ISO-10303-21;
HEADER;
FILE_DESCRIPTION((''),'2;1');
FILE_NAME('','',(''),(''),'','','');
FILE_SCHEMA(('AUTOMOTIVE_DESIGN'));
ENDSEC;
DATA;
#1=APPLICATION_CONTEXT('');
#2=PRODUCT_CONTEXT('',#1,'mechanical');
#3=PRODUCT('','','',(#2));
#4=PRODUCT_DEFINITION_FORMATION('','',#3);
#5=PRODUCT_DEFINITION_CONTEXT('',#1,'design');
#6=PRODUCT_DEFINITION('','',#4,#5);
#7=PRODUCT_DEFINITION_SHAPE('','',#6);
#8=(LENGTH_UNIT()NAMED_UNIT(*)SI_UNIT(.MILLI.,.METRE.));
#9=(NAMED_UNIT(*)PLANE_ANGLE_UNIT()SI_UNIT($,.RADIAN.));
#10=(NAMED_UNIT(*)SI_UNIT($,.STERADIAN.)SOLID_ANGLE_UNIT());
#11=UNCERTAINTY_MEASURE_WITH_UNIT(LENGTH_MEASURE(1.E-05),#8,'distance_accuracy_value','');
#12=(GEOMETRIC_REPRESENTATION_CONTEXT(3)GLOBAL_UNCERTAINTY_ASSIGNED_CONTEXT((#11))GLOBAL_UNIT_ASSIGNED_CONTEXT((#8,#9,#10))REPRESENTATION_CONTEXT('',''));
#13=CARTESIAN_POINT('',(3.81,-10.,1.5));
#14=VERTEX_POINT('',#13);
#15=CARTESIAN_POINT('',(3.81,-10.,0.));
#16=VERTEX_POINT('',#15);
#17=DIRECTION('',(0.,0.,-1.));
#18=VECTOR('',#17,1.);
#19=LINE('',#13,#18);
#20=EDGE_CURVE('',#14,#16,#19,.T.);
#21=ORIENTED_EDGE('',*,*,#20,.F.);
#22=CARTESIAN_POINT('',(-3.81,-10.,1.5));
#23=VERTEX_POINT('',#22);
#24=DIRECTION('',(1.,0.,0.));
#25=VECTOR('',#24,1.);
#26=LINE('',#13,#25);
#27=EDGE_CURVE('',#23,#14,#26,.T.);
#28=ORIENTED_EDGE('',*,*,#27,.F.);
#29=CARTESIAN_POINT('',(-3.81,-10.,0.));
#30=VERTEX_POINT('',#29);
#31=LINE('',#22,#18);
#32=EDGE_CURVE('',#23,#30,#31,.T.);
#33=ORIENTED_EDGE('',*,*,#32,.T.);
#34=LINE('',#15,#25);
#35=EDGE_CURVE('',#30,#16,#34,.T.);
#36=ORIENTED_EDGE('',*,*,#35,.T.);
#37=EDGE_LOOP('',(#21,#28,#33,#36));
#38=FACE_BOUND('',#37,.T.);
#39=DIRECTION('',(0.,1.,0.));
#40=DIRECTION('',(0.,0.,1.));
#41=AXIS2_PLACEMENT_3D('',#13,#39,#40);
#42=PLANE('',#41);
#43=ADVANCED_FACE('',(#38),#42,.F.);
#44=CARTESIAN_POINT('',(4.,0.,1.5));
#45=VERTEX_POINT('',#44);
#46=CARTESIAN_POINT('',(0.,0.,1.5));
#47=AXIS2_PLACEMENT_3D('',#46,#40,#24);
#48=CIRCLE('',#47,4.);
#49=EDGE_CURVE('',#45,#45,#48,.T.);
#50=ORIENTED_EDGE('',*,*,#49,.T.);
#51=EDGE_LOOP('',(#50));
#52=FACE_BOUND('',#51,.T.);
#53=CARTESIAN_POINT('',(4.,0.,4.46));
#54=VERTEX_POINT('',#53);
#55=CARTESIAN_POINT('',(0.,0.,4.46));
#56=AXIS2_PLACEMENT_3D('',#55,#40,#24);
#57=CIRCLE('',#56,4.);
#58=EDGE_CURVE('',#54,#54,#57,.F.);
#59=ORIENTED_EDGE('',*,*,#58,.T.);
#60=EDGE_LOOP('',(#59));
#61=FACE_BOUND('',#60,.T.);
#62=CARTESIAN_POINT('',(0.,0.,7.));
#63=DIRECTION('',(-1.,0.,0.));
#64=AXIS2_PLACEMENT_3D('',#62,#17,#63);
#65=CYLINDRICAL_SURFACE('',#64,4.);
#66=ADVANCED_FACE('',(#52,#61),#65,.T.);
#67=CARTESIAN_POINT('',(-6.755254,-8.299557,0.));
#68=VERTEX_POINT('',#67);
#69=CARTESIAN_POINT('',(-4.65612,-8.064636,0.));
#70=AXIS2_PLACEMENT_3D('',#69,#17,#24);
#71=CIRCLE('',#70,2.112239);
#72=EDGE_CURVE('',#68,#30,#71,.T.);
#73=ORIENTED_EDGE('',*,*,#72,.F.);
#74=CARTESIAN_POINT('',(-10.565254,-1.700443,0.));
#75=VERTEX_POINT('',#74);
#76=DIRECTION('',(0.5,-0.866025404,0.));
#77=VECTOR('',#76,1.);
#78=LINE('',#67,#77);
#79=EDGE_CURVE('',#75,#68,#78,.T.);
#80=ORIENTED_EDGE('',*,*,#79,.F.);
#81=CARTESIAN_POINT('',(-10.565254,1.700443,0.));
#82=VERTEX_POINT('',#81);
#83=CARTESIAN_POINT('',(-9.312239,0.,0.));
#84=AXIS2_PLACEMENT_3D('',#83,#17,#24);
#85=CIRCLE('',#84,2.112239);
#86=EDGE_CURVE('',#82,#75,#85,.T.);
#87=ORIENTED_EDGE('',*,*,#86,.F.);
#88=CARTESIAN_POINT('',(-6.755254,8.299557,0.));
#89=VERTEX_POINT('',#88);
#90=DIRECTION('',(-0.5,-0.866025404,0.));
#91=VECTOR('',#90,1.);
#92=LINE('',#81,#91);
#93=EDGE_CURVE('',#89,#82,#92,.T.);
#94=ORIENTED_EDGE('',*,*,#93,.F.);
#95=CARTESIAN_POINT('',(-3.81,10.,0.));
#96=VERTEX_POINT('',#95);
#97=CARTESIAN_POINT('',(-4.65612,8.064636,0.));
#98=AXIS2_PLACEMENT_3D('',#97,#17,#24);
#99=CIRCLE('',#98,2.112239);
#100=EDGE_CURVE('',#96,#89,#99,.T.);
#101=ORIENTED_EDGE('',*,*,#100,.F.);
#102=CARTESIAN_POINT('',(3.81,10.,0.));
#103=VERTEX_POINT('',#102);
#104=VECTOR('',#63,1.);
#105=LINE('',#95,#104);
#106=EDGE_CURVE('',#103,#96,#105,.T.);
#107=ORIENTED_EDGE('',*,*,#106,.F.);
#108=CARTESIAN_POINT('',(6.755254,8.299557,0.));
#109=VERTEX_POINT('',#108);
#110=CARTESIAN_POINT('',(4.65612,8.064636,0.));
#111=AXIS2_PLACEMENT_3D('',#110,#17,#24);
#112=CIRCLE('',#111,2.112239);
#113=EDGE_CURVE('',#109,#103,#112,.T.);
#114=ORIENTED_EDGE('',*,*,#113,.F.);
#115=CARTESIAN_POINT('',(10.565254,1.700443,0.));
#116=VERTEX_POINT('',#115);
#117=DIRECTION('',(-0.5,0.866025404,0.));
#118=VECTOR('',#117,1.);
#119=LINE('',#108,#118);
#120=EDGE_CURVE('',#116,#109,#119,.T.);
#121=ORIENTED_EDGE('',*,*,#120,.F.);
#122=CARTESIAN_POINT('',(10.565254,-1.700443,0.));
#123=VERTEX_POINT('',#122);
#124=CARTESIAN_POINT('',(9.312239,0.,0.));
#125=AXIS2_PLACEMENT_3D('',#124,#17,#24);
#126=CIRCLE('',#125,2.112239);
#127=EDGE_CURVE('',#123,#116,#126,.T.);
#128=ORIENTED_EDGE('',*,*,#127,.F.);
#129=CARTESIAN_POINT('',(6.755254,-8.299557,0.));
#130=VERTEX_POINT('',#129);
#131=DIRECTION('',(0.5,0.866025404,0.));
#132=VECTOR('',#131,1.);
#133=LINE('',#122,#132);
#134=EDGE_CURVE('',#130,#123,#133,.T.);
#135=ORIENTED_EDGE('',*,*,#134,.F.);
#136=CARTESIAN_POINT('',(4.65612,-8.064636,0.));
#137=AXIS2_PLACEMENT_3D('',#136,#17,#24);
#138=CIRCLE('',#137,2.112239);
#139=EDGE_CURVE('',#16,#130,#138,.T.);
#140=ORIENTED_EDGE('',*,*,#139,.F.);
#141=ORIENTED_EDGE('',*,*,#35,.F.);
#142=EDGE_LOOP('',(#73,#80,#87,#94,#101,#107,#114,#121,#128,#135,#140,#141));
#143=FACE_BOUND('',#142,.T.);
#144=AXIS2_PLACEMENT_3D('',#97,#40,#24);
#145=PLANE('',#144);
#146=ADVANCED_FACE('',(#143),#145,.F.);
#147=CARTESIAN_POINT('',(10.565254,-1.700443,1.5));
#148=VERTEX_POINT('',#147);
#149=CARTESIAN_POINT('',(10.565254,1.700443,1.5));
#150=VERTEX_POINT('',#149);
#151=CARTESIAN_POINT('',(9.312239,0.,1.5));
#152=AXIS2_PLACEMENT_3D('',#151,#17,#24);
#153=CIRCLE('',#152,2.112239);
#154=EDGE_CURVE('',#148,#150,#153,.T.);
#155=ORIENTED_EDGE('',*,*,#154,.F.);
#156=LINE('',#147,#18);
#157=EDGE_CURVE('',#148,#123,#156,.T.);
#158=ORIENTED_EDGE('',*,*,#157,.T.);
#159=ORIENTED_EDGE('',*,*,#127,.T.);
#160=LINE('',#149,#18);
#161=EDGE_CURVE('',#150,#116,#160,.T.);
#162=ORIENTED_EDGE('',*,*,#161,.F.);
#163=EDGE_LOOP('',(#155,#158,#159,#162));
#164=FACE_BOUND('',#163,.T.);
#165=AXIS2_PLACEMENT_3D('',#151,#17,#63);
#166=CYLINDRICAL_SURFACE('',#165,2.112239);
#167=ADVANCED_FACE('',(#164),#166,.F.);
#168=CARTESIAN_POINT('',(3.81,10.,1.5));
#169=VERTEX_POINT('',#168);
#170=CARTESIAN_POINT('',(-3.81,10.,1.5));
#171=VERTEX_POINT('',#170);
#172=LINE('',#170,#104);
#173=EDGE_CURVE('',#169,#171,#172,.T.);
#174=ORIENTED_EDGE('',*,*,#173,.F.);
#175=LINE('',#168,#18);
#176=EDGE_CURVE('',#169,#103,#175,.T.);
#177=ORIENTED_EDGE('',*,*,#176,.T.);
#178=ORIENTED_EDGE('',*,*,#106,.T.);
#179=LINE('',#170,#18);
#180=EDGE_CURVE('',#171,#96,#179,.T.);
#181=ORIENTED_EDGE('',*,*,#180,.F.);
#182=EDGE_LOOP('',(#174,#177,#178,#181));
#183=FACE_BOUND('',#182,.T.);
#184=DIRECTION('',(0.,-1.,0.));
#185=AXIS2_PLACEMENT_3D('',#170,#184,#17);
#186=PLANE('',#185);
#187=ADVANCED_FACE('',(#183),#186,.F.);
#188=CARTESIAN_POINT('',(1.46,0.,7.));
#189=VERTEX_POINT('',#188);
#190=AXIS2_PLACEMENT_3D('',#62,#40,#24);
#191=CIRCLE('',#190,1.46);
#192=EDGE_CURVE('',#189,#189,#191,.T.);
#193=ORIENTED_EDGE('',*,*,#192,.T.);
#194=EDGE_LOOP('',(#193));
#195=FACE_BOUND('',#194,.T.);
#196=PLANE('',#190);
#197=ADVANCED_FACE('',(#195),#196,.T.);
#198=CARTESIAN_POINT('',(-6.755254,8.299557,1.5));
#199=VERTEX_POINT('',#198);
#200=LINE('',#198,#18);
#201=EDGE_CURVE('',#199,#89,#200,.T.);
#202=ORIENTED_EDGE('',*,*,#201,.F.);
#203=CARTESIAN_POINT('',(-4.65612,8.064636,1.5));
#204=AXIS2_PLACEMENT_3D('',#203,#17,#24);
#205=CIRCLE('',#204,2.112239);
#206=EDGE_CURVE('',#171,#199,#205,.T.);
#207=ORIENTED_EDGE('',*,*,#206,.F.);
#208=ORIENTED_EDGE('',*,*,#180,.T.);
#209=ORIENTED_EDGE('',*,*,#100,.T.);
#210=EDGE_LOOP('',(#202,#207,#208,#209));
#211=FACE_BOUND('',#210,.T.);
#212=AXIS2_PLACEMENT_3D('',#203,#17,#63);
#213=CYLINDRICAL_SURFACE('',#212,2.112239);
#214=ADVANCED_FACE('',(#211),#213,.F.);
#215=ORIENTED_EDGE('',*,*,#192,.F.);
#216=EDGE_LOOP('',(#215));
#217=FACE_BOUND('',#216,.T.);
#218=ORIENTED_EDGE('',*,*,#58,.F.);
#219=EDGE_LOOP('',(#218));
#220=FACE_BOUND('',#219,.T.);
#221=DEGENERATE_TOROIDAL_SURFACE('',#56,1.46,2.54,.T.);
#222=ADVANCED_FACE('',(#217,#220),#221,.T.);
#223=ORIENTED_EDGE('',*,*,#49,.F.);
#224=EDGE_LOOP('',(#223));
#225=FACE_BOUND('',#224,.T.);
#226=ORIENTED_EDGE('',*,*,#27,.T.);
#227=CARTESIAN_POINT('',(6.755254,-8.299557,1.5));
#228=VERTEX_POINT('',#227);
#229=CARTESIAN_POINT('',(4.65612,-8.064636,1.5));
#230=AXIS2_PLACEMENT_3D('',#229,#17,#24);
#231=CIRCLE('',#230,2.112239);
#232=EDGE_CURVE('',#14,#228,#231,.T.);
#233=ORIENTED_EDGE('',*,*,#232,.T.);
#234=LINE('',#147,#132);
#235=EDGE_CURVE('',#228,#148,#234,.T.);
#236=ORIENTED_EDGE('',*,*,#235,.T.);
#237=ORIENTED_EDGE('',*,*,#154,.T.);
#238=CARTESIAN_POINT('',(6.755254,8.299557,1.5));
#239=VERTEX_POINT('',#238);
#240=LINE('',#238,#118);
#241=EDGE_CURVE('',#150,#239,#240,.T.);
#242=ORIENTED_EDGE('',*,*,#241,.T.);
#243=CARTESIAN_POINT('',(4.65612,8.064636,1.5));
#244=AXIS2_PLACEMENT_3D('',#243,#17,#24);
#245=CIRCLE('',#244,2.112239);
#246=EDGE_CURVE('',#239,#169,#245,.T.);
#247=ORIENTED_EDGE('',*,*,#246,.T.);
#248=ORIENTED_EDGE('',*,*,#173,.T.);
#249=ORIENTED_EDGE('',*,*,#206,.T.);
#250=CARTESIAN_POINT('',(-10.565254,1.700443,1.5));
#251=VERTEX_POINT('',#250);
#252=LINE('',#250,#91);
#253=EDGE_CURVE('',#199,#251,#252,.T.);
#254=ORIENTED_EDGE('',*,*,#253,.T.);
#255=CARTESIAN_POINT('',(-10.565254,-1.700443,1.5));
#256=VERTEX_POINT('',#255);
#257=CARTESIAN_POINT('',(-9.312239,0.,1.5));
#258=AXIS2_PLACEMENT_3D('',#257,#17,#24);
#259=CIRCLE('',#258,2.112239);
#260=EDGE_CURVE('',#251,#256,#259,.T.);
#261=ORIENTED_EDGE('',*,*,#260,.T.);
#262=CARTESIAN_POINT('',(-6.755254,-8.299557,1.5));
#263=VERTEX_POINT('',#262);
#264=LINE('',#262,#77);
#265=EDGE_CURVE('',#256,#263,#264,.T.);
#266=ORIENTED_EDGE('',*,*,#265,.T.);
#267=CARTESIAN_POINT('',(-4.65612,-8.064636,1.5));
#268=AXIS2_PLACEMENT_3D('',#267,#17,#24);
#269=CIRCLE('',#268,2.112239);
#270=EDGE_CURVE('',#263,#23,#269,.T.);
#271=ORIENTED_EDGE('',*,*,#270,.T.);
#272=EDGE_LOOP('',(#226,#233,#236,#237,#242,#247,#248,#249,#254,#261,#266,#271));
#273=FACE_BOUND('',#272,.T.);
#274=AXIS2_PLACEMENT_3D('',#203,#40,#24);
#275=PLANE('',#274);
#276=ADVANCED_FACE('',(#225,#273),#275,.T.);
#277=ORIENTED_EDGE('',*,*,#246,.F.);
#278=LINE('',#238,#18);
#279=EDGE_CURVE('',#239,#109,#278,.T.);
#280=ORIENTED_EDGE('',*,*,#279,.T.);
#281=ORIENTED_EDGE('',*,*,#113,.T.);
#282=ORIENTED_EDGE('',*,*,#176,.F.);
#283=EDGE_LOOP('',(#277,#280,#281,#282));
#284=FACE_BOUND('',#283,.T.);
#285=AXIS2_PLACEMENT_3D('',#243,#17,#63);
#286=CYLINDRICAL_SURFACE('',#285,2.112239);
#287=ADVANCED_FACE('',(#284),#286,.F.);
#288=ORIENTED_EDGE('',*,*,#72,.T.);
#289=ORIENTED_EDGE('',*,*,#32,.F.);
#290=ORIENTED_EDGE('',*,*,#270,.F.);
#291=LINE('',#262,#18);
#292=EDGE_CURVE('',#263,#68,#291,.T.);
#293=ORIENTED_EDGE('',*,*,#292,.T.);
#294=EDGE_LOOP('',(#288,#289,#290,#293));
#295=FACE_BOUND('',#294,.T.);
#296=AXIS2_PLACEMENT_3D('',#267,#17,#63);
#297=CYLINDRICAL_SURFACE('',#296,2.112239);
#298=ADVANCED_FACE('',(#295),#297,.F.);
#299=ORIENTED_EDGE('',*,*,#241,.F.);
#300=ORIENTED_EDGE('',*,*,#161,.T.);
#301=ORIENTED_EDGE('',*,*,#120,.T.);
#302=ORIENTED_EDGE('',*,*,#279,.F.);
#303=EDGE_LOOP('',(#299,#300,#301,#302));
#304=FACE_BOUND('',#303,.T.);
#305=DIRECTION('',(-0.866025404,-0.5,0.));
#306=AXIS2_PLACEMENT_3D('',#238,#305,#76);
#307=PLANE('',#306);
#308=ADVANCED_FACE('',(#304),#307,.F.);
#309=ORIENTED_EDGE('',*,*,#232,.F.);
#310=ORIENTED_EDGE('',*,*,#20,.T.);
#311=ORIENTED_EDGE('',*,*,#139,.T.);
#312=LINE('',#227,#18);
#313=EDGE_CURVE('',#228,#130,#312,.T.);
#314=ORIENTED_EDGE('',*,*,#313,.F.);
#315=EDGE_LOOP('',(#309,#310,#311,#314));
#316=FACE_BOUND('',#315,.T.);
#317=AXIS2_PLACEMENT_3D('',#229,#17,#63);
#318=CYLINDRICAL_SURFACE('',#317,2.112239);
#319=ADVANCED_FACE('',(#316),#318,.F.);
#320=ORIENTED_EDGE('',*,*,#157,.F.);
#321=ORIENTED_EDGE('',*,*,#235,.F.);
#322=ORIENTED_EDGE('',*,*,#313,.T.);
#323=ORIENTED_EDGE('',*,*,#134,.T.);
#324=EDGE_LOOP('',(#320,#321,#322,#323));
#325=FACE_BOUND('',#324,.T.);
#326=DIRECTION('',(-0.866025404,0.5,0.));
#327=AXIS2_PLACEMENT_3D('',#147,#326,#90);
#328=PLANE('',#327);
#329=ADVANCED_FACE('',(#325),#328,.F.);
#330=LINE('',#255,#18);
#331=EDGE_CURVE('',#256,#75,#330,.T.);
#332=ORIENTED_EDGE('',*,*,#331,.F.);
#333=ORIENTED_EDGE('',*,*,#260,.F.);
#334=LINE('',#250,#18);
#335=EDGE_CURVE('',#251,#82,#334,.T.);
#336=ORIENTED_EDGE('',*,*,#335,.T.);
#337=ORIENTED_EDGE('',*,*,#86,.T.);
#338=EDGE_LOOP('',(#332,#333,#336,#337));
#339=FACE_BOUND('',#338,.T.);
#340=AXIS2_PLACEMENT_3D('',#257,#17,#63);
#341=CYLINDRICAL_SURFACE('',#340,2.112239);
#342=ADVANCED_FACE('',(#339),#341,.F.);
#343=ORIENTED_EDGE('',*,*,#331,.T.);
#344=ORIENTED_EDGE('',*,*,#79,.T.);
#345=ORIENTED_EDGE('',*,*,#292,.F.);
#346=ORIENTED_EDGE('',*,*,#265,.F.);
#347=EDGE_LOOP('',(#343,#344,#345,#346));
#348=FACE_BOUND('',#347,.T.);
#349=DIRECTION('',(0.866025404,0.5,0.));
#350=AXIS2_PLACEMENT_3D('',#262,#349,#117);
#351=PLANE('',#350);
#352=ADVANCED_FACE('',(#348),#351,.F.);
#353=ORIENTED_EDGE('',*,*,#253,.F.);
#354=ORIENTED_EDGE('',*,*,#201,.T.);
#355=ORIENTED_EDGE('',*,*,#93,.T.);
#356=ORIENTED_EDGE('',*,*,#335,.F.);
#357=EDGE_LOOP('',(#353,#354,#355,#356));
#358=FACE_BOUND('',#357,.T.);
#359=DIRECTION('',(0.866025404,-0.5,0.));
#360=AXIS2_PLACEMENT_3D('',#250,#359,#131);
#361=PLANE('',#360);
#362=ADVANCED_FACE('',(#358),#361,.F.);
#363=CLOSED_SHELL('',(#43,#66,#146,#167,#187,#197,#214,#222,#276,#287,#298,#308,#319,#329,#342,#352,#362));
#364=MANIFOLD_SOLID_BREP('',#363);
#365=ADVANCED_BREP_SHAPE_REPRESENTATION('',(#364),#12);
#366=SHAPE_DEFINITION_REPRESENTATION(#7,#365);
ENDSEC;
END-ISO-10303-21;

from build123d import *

# Parameters (mm, degrees)
BOSS_EXTRUDE1_DEPTH = 1.5
SKETCH2_R           = 4
BOSS_EXTRUDE2_DEPTH = 5.5
FILLET1_R           = 2.54


with BuildPart() as part:
    # Sketch1 → Boss-Extrude1 (new body)
    with BuildSketch(Plane.XY):
        with BuildLine():
            Line((-3.81, 10), (3.81, 10))
            ThreePointArc((3.81, 10), (3.6, 6.235382907), (6.755254038, 8.299556788))
            Line((6.755254038, 8.299556788), (10.565254038, 1.700443212))
            ThreePointArc((10.565254038, 1.700443212), (7.2, 0), (10.565254038, -1.700443212))
            Line((10.565254038, -1.700443212), (6.755254038, -8.299556788))
            ThreePointArc((6.755254038, -8.299556788), (3.6, -6.235382907), (3.81, -10))
            Line((3.81, -10), (-3.81, -10))
            ThreePointArc((-3.81, -10), (-3.6, -6.235382907), (-6.755254038, -8.299556788))
            Line((-6.755254038, -8.299556788), (-10.565254038, -1.700443212))
            ThreePointArc((-10.565254038, -1.700443212), (-7.2, 0), (-10.565254038, 1.700443212))
            Line((-10.565254038, 1.700443212), (-6.755254038, 8.299556788))
            ThreePointArc((-6.755254038, 8.299556788), (-3.6, 6.235382907), (-3.81, 10))
        make_face()
    extrude(amount=BOSS_EXTRUDE1_DEPTH)

    # Sketch2 → Boss-Extrude2 (add)
    with BuildSketch(Plane.XY.offset(1.5)):
        Circle(SKETCH2_R)
    extrude(amount=BOSS_EXTRUDE2_DEPTH)

    # Fillet1
    fillet1_edges = [part.edges().sort_by_distance(p)[0] for p in [
        (-4, 0, 7),
    ]]
    fillet(fillet1_edges, radius=FILLET1_R)


solid = part.part
